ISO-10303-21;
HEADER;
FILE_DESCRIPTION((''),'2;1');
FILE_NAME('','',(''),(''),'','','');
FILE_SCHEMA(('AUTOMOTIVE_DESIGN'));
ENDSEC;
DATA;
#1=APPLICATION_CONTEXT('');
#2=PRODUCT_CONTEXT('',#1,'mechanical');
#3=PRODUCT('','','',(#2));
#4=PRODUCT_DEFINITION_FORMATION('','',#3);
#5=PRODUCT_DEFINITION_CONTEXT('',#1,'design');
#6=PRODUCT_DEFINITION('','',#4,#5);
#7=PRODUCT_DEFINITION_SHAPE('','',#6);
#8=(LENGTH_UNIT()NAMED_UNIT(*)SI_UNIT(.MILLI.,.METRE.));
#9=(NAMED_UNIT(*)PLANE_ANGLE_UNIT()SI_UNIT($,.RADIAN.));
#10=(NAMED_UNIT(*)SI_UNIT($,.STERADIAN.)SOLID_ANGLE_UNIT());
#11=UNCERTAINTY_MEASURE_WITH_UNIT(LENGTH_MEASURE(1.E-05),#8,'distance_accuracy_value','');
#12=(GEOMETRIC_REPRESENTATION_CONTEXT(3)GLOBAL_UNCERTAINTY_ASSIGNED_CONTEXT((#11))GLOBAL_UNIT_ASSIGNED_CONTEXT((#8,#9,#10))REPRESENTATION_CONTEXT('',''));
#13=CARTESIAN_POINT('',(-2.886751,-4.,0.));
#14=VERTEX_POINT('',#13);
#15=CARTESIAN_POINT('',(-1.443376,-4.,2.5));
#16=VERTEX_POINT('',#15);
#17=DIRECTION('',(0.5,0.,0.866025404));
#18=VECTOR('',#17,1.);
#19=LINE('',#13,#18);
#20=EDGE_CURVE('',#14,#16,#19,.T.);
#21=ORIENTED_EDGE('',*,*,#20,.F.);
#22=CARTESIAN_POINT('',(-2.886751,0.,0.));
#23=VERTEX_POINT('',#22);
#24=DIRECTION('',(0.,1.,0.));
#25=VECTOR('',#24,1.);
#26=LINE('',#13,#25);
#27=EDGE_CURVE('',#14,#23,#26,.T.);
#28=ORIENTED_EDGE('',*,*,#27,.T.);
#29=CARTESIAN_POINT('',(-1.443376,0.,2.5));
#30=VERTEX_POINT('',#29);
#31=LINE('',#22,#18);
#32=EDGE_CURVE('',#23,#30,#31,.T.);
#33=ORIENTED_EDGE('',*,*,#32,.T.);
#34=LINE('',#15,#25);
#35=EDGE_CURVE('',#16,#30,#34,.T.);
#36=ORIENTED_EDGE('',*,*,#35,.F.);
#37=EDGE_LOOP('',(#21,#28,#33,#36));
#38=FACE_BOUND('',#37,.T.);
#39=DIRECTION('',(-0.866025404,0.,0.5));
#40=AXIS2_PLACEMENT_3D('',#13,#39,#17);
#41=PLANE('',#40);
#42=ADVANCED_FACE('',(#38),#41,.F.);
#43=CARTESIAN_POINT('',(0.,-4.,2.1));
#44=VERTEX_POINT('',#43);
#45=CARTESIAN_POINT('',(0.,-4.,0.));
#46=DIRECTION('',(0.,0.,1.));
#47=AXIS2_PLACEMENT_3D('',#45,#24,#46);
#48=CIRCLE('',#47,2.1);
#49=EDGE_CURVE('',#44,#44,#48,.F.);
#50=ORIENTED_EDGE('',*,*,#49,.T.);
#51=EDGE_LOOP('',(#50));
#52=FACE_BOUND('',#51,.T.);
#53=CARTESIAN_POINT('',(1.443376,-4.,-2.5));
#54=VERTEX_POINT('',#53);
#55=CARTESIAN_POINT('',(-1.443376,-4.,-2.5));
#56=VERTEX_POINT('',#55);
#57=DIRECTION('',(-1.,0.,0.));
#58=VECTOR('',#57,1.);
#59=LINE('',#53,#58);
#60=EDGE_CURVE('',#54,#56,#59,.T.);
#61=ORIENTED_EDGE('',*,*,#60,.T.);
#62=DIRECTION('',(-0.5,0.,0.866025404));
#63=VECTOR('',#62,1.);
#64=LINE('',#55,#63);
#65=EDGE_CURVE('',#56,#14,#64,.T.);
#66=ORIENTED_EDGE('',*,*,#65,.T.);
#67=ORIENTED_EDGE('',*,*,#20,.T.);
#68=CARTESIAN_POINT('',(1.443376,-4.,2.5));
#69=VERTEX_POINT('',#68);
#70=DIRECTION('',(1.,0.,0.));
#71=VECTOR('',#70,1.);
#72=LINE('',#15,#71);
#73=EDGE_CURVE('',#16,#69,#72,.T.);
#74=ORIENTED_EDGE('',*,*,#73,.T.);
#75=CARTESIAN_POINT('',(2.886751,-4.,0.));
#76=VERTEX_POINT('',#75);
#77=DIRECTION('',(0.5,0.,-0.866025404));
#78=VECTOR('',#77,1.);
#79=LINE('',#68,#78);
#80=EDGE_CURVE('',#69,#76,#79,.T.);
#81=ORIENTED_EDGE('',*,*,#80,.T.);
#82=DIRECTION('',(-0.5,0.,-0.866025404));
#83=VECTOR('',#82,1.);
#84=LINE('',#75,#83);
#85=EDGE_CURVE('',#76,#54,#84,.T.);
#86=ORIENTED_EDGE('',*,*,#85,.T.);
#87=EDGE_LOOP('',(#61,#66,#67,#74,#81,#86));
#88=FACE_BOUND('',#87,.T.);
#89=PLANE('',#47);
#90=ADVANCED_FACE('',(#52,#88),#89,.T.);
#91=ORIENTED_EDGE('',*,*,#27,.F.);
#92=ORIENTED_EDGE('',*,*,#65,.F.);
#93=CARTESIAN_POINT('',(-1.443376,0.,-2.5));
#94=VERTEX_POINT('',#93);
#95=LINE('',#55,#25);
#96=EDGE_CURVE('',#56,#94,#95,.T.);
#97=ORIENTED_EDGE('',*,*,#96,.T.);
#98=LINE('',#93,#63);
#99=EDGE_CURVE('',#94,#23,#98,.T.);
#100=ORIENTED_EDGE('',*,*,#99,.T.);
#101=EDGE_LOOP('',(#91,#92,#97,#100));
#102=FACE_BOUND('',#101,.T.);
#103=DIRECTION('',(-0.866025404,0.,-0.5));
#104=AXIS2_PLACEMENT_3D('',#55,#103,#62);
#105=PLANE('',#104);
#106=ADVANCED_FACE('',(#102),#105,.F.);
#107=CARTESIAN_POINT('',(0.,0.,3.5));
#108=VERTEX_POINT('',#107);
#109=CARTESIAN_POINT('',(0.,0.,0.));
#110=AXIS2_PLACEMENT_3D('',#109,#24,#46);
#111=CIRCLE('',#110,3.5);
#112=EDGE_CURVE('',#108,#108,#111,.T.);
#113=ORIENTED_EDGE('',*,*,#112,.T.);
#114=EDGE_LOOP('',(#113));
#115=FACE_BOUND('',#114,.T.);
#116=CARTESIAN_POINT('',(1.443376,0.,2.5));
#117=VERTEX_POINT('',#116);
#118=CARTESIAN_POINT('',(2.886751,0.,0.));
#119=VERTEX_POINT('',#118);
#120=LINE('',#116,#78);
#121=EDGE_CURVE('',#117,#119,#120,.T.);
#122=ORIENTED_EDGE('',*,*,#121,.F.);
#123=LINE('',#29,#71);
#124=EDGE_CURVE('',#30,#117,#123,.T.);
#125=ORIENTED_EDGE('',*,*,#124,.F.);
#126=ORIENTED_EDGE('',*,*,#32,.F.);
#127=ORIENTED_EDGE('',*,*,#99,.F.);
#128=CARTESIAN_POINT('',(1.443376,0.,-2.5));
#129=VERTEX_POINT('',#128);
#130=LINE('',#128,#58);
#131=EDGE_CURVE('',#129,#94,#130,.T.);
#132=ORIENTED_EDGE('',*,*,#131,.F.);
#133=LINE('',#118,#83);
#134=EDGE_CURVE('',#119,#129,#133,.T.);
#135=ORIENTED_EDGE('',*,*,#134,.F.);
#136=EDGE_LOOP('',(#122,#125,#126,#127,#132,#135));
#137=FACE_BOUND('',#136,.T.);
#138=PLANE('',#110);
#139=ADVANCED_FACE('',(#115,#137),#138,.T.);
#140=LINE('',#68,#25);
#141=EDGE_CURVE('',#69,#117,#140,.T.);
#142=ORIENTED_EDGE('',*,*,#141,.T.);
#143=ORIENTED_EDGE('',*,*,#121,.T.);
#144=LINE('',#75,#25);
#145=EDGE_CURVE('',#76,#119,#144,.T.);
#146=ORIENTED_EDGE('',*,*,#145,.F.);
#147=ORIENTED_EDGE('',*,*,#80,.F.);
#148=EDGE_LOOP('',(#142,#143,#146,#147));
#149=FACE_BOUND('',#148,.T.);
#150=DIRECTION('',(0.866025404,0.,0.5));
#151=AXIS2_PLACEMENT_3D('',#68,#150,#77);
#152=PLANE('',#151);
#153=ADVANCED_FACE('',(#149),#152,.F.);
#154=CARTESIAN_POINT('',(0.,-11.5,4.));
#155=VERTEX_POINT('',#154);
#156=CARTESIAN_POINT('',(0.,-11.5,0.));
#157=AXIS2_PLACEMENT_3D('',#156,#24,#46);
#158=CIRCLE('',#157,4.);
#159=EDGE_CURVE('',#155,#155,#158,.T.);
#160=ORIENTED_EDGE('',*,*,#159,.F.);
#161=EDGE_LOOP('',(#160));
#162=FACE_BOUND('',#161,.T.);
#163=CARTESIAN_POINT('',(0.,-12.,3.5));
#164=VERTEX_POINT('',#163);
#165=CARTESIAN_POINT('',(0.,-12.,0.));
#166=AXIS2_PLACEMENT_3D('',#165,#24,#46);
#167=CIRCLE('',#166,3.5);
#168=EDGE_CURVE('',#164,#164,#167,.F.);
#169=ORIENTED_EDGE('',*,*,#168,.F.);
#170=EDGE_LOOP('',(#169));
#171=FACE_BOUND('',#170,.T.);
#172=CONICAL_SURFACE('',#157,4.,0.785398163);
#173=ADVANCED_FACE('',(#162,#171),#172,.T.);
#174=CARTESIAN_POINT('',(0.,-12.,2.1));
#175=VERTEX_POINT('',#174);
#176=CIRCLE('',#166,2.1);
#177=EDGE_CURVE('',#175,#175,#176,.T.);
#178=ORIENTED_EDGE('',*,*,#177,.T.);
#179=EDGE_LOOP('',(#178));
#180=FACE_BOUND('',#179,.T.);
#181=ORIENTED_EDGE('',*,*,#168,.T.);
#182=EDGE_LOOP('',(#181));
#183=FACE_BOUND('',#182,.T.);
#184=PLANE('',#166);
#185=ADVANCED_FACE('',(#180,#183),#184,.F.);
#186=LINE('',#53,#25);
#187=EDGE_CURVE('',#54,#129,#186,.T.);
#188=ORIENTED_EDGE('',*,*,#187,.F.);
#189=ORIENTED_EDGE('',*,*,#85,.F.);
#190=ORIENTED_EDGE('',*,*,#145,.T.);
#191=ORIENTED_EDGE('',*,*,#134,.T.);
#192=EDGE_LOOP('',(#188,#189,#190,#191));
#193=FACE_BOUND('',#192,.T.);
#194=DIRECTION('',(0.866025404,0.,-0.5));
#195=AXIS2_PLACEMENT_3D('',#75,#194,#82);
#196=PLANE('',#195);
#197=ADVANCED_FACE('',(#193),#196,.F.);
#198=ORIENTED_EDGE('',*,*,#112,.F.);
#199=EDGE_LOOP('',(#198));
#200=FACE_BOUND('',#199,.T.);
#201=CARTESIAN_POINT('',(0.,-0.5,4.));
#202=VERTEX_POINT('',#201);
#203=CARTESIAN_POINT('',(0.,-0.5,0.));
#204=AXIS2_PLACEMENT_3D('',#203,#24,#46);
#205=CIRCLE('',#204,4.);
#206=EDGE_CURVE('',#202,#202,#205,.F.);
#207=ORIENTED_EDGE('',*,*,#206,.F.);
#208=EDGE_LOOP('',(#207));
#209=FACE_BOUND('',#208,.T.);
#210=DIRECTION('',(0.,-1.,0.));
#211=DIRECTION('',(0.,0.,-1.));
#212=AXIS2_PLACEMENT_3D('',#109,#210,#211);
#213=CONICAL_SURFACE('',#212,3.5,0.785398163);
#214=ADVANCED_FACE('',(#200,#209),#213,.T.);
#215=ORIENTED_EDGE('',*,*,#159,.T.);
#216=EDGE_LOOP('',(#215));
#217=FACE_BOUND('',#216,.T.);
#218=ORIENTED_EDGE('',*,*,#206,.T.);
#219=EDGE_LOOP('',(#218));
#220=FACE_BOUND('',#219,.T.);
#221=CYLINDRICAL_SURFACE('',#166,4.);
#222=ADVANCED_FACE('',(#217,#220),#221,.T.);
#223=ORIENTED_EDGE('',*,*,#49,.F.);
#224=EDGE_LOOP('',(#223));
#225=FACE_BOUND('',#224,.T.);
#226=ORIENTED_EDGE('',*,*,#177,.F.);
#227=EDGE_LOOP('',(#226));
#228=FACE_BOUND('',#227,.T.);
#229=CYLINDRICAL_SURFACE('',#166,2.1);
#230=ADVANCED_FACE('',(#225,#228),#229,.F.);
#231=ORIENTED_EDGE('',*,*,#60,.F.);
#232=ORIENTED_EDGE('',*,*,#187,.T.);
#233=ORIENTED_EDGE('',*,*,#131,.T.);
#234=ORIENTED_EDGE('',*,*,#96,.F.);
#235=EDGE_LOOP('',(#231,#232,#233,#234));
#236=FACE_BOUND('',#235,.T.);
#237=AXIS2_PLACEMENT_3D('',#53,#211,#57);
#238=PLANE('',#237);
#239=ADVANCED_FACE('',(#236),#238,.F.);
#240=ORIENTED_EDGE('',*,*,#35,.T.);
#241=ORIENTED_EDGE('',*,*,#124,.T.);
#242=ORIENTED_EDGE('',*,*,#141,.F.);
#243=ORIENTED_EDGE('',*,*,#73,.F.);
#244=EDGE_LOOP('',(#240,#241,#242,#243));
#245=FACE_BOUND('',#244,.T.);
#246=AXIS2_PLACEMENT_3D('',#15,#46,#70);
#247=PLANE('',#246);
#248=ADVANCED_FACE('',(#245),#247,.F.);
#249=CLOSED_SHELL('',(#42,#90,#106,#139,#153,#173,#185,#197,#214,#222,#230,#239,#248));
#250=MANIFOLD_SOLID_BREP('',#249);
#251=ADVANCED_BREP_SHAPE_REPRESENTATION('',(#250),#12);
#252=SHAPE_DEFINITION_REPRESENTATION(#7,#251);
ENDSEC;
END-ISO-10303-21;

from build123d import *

# Parameters (mm, degrees)
SKETCH1_R           = 4
BOSS_EXTRUDE1_DEPTH = 12
SKETCH2_R           = 2.1
CUT_EXTRUDE1_DEPTH  = 14.266499161
CUT_EXTRUDE2_DEPTH  = 4
CHAMFER1_SIZE       = 0.5


with BuildPart() as part:
    # Sketch1 → Boss-Extrude1 (new body)
    with BuildSketch(Plane(origin=(0, 0, 0), x_dir=(1, 0, 0), z_dir=(0, 1, 0))):
        with Locations(Location((0, 0, 0), (0, 0, 270))):
            Circle(SKETCH1_R)
    extrude(amount=-BOSS_EXTRUDE1_DEPTH)

    # Sketch2 → Cut-Extrude1 (cut, through all)
    with BuildSketch(Plane(origin=(0, 0, 0), x_dir=(1, 0, 0), z_dir=(0, 1, 0))):
        with Locations(Location((0, 0, 0), (0, 0, 270))):
            Circle(SKETCH2_R)
    extrude(amount=-CUT_EXTRUDE1_DEPTH, mode=Mode.SUBTRACT)

    # Sketch3 → Cut-Extrude2 (cut)
    with BuildSketch(Plane(origin=(0, 0, 0), x_dir=(1, 0, 0), z_dir=(0, 1, 0))):
        Polygon((2.886751346, 0), (1.443375673, 2.5), (-1.443375673, 2.5), (-2.886751346, 0), (-1.443375673, -2.5), (1.443375673, -2.5), align=None)
    extrude(amount=-CUT_EXTRUDE2_DEPTH, mode=Mode.SUBTRACT)

    # Chamfer1
    chamfer1_edges = [part.edges().sort_by_distance(p)[0] for p in [
        (0, 0, -4),
        (0, -12, -4),
    ]]
    chamfer(chamfer1_edges, length=CHAMFER1_SIZE)


solid = part.part
